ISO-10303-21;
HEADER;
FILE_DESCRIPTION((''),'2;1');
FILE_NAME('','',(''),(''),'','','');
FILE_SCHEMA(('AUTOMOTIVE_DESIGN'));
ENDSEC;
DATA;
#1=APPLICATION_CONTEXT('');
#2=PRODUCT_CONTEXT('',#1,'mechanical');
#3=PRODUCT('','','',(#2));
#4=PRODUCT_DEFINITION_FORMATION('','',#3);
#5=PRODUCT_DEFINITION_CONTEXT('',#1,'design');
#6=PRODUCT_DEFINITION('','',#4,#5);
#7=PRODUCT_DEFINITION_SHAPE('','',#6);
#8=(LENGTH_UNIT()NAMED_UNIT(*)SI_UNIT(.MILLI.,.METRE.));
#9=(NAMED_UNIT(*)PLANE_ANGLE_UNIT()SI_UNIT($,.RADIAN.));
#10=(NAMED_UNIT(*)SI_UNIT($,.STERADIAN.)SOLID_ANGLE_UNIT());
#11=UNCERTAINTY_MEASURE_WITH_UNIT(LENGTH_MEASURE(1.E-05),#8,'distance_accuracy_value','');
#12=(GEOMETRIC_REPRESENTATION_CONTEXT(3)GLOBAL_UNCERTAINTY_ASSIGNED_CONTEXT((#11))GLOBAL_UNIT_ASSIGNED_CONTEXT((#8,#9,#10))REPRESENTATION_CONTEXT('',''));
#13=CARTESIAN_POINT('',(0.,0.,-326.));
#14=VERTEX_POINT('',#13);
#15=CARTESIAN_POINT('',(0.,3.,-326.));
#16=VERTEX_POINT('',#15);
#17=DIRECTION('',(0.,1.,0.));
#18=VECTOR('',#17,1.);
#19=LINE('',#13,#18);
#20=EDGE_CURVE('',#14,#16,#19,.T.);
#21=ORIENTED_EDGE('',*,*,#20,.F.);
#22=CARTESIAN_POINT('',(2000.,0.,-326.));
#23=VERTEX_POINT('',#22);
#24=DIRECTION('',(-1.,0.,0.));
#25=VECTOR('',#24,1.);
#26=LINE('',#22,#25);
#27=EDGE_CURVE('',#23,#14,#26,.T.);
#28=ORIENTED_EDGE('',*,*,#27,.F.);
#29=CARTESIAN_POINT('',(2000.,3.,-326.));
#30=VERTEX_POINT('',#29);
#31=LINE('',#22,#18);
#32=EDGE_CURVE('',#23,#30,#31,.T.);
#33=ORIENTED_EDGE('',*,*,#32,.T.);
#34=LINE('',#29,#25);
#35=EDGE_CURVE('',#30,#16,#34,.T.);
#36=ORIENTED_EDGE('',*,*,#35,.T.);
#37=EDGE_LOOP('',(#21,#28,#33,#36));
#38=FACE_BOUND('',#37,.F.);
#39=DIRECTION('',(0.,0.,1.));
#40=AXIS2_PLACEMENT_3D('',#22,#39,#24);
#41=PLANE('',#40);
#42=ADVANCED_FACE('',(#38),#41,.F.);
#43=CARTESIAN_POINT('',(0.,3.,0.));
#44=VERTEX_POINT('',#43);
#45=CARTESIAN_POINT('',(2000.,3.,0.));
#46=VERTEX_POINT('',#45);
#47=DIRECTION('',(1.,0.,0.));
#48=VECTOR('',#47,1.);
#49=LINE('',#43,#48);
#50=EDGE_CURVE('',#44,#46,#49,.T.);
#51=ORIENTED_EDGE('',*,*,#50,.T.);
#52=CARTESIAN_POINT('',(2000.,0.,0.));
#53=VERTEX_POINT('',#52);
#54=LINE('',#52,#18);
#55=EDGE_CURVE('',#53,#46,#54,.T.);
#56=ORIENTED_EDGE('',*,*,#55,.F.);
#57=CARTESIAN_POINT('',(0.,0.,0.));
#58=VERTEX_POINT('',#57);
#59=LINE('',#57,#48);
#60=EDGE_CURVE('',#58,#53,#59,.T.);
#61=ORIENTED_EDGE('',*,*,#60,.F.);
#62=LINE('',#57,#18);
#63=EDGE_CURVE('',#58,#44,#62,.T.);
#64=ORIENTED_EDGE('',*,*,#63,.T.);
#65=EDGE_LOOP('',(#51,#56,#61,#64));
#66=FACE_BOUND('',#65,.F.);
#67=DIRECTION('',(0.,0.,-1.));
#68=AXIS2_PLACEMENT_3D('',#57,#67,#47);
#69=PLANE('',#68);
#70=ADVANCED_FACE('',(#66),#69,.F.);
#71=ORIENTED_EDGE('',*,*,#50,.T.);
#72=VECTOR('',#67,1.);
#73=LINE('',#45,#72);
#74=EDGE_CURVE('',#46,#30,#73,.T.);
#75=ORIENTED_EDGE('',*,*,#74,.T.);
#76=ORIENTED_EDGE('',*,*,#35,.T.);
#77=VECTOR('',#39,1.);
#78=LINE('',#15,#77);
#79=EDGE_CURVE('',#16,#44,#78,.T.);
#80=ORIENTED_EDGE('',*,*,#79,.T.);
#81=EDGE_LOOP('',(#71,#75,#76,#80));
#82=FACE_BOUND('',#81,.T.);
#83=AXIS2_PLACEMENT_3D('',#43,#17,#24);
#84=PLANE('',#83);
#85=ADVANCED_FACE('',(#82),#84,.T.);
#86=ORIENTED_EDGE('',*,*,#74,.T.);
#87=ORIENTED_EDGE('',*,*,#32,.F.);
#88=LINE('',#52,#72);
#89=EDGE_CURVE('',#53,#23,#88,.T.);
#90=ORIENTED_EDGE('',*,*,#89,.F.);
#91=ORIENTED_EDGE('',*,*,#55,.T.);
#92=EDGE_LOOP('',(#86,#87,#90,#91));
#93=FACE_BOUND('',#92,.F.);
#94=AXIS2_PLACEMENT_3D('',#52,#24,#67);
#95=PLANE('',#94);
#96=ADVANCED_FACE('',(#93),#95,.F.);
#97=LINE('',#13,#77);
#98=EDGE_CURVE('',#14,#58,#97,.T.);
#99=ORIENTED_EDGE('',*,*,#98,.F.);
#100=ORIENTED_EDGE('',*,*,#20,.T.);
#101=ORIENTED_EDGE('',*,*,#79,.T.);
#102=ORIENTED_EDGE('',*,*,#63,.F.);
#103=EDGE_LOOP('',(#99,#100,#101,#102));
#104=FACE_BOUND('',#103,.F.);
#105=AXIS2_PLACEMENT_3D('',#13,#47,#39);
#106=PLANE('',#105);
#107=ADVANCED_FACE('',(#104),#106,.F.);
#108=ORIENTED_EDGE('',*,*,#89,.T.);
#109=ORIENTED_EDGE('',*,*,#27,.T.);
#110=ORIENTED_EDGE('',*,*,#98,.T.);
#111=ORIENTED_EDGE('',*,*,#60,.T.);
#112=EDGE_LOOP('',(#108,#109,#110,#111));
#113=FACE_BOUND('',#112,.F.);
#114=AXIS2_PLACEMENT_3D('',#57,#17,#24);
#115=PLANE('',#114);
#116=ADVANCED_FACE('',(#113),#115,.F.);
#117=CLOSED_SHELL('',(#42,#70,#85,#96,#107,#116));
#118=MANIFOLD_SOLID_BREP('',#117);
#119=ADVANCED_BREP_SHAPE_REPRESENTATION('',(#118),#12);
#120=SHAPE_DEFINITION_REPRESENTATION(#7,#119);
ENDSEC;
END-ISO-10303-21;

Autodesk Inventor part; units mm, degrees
ref_plane "YZ Plane" through (0, 0, 0) normal (1, 0, 0) x (0, 1, 0)
ref_plane "XZ Plane" through (0, 0, 0) normal (0, 1, 0) x (-1, 0, 0)
ref_plane "XY Plane" through (0, 0, 0) normal (0, 0, 1) x (1, 0, 0)
sketch "Sketch1" plane through (0, 0, 0) normal (0, 1, 0) x (-1, 0, 0)
  line L0 (0, 0) -> (-2000, 0)
  line L1 (-2000, 0) -> (-2000, -326)
  line L2 (-2000, -326) -> (0, -326)
  line L3 (0, -326) -> (0, 0)
  dimension "d0" = 326
  dimension "d1" = 2000
extrude "Extrusion1" add sketch "Sketch1" along normal blind 3
properties part number "cover top" material "Nylon 6/6"
